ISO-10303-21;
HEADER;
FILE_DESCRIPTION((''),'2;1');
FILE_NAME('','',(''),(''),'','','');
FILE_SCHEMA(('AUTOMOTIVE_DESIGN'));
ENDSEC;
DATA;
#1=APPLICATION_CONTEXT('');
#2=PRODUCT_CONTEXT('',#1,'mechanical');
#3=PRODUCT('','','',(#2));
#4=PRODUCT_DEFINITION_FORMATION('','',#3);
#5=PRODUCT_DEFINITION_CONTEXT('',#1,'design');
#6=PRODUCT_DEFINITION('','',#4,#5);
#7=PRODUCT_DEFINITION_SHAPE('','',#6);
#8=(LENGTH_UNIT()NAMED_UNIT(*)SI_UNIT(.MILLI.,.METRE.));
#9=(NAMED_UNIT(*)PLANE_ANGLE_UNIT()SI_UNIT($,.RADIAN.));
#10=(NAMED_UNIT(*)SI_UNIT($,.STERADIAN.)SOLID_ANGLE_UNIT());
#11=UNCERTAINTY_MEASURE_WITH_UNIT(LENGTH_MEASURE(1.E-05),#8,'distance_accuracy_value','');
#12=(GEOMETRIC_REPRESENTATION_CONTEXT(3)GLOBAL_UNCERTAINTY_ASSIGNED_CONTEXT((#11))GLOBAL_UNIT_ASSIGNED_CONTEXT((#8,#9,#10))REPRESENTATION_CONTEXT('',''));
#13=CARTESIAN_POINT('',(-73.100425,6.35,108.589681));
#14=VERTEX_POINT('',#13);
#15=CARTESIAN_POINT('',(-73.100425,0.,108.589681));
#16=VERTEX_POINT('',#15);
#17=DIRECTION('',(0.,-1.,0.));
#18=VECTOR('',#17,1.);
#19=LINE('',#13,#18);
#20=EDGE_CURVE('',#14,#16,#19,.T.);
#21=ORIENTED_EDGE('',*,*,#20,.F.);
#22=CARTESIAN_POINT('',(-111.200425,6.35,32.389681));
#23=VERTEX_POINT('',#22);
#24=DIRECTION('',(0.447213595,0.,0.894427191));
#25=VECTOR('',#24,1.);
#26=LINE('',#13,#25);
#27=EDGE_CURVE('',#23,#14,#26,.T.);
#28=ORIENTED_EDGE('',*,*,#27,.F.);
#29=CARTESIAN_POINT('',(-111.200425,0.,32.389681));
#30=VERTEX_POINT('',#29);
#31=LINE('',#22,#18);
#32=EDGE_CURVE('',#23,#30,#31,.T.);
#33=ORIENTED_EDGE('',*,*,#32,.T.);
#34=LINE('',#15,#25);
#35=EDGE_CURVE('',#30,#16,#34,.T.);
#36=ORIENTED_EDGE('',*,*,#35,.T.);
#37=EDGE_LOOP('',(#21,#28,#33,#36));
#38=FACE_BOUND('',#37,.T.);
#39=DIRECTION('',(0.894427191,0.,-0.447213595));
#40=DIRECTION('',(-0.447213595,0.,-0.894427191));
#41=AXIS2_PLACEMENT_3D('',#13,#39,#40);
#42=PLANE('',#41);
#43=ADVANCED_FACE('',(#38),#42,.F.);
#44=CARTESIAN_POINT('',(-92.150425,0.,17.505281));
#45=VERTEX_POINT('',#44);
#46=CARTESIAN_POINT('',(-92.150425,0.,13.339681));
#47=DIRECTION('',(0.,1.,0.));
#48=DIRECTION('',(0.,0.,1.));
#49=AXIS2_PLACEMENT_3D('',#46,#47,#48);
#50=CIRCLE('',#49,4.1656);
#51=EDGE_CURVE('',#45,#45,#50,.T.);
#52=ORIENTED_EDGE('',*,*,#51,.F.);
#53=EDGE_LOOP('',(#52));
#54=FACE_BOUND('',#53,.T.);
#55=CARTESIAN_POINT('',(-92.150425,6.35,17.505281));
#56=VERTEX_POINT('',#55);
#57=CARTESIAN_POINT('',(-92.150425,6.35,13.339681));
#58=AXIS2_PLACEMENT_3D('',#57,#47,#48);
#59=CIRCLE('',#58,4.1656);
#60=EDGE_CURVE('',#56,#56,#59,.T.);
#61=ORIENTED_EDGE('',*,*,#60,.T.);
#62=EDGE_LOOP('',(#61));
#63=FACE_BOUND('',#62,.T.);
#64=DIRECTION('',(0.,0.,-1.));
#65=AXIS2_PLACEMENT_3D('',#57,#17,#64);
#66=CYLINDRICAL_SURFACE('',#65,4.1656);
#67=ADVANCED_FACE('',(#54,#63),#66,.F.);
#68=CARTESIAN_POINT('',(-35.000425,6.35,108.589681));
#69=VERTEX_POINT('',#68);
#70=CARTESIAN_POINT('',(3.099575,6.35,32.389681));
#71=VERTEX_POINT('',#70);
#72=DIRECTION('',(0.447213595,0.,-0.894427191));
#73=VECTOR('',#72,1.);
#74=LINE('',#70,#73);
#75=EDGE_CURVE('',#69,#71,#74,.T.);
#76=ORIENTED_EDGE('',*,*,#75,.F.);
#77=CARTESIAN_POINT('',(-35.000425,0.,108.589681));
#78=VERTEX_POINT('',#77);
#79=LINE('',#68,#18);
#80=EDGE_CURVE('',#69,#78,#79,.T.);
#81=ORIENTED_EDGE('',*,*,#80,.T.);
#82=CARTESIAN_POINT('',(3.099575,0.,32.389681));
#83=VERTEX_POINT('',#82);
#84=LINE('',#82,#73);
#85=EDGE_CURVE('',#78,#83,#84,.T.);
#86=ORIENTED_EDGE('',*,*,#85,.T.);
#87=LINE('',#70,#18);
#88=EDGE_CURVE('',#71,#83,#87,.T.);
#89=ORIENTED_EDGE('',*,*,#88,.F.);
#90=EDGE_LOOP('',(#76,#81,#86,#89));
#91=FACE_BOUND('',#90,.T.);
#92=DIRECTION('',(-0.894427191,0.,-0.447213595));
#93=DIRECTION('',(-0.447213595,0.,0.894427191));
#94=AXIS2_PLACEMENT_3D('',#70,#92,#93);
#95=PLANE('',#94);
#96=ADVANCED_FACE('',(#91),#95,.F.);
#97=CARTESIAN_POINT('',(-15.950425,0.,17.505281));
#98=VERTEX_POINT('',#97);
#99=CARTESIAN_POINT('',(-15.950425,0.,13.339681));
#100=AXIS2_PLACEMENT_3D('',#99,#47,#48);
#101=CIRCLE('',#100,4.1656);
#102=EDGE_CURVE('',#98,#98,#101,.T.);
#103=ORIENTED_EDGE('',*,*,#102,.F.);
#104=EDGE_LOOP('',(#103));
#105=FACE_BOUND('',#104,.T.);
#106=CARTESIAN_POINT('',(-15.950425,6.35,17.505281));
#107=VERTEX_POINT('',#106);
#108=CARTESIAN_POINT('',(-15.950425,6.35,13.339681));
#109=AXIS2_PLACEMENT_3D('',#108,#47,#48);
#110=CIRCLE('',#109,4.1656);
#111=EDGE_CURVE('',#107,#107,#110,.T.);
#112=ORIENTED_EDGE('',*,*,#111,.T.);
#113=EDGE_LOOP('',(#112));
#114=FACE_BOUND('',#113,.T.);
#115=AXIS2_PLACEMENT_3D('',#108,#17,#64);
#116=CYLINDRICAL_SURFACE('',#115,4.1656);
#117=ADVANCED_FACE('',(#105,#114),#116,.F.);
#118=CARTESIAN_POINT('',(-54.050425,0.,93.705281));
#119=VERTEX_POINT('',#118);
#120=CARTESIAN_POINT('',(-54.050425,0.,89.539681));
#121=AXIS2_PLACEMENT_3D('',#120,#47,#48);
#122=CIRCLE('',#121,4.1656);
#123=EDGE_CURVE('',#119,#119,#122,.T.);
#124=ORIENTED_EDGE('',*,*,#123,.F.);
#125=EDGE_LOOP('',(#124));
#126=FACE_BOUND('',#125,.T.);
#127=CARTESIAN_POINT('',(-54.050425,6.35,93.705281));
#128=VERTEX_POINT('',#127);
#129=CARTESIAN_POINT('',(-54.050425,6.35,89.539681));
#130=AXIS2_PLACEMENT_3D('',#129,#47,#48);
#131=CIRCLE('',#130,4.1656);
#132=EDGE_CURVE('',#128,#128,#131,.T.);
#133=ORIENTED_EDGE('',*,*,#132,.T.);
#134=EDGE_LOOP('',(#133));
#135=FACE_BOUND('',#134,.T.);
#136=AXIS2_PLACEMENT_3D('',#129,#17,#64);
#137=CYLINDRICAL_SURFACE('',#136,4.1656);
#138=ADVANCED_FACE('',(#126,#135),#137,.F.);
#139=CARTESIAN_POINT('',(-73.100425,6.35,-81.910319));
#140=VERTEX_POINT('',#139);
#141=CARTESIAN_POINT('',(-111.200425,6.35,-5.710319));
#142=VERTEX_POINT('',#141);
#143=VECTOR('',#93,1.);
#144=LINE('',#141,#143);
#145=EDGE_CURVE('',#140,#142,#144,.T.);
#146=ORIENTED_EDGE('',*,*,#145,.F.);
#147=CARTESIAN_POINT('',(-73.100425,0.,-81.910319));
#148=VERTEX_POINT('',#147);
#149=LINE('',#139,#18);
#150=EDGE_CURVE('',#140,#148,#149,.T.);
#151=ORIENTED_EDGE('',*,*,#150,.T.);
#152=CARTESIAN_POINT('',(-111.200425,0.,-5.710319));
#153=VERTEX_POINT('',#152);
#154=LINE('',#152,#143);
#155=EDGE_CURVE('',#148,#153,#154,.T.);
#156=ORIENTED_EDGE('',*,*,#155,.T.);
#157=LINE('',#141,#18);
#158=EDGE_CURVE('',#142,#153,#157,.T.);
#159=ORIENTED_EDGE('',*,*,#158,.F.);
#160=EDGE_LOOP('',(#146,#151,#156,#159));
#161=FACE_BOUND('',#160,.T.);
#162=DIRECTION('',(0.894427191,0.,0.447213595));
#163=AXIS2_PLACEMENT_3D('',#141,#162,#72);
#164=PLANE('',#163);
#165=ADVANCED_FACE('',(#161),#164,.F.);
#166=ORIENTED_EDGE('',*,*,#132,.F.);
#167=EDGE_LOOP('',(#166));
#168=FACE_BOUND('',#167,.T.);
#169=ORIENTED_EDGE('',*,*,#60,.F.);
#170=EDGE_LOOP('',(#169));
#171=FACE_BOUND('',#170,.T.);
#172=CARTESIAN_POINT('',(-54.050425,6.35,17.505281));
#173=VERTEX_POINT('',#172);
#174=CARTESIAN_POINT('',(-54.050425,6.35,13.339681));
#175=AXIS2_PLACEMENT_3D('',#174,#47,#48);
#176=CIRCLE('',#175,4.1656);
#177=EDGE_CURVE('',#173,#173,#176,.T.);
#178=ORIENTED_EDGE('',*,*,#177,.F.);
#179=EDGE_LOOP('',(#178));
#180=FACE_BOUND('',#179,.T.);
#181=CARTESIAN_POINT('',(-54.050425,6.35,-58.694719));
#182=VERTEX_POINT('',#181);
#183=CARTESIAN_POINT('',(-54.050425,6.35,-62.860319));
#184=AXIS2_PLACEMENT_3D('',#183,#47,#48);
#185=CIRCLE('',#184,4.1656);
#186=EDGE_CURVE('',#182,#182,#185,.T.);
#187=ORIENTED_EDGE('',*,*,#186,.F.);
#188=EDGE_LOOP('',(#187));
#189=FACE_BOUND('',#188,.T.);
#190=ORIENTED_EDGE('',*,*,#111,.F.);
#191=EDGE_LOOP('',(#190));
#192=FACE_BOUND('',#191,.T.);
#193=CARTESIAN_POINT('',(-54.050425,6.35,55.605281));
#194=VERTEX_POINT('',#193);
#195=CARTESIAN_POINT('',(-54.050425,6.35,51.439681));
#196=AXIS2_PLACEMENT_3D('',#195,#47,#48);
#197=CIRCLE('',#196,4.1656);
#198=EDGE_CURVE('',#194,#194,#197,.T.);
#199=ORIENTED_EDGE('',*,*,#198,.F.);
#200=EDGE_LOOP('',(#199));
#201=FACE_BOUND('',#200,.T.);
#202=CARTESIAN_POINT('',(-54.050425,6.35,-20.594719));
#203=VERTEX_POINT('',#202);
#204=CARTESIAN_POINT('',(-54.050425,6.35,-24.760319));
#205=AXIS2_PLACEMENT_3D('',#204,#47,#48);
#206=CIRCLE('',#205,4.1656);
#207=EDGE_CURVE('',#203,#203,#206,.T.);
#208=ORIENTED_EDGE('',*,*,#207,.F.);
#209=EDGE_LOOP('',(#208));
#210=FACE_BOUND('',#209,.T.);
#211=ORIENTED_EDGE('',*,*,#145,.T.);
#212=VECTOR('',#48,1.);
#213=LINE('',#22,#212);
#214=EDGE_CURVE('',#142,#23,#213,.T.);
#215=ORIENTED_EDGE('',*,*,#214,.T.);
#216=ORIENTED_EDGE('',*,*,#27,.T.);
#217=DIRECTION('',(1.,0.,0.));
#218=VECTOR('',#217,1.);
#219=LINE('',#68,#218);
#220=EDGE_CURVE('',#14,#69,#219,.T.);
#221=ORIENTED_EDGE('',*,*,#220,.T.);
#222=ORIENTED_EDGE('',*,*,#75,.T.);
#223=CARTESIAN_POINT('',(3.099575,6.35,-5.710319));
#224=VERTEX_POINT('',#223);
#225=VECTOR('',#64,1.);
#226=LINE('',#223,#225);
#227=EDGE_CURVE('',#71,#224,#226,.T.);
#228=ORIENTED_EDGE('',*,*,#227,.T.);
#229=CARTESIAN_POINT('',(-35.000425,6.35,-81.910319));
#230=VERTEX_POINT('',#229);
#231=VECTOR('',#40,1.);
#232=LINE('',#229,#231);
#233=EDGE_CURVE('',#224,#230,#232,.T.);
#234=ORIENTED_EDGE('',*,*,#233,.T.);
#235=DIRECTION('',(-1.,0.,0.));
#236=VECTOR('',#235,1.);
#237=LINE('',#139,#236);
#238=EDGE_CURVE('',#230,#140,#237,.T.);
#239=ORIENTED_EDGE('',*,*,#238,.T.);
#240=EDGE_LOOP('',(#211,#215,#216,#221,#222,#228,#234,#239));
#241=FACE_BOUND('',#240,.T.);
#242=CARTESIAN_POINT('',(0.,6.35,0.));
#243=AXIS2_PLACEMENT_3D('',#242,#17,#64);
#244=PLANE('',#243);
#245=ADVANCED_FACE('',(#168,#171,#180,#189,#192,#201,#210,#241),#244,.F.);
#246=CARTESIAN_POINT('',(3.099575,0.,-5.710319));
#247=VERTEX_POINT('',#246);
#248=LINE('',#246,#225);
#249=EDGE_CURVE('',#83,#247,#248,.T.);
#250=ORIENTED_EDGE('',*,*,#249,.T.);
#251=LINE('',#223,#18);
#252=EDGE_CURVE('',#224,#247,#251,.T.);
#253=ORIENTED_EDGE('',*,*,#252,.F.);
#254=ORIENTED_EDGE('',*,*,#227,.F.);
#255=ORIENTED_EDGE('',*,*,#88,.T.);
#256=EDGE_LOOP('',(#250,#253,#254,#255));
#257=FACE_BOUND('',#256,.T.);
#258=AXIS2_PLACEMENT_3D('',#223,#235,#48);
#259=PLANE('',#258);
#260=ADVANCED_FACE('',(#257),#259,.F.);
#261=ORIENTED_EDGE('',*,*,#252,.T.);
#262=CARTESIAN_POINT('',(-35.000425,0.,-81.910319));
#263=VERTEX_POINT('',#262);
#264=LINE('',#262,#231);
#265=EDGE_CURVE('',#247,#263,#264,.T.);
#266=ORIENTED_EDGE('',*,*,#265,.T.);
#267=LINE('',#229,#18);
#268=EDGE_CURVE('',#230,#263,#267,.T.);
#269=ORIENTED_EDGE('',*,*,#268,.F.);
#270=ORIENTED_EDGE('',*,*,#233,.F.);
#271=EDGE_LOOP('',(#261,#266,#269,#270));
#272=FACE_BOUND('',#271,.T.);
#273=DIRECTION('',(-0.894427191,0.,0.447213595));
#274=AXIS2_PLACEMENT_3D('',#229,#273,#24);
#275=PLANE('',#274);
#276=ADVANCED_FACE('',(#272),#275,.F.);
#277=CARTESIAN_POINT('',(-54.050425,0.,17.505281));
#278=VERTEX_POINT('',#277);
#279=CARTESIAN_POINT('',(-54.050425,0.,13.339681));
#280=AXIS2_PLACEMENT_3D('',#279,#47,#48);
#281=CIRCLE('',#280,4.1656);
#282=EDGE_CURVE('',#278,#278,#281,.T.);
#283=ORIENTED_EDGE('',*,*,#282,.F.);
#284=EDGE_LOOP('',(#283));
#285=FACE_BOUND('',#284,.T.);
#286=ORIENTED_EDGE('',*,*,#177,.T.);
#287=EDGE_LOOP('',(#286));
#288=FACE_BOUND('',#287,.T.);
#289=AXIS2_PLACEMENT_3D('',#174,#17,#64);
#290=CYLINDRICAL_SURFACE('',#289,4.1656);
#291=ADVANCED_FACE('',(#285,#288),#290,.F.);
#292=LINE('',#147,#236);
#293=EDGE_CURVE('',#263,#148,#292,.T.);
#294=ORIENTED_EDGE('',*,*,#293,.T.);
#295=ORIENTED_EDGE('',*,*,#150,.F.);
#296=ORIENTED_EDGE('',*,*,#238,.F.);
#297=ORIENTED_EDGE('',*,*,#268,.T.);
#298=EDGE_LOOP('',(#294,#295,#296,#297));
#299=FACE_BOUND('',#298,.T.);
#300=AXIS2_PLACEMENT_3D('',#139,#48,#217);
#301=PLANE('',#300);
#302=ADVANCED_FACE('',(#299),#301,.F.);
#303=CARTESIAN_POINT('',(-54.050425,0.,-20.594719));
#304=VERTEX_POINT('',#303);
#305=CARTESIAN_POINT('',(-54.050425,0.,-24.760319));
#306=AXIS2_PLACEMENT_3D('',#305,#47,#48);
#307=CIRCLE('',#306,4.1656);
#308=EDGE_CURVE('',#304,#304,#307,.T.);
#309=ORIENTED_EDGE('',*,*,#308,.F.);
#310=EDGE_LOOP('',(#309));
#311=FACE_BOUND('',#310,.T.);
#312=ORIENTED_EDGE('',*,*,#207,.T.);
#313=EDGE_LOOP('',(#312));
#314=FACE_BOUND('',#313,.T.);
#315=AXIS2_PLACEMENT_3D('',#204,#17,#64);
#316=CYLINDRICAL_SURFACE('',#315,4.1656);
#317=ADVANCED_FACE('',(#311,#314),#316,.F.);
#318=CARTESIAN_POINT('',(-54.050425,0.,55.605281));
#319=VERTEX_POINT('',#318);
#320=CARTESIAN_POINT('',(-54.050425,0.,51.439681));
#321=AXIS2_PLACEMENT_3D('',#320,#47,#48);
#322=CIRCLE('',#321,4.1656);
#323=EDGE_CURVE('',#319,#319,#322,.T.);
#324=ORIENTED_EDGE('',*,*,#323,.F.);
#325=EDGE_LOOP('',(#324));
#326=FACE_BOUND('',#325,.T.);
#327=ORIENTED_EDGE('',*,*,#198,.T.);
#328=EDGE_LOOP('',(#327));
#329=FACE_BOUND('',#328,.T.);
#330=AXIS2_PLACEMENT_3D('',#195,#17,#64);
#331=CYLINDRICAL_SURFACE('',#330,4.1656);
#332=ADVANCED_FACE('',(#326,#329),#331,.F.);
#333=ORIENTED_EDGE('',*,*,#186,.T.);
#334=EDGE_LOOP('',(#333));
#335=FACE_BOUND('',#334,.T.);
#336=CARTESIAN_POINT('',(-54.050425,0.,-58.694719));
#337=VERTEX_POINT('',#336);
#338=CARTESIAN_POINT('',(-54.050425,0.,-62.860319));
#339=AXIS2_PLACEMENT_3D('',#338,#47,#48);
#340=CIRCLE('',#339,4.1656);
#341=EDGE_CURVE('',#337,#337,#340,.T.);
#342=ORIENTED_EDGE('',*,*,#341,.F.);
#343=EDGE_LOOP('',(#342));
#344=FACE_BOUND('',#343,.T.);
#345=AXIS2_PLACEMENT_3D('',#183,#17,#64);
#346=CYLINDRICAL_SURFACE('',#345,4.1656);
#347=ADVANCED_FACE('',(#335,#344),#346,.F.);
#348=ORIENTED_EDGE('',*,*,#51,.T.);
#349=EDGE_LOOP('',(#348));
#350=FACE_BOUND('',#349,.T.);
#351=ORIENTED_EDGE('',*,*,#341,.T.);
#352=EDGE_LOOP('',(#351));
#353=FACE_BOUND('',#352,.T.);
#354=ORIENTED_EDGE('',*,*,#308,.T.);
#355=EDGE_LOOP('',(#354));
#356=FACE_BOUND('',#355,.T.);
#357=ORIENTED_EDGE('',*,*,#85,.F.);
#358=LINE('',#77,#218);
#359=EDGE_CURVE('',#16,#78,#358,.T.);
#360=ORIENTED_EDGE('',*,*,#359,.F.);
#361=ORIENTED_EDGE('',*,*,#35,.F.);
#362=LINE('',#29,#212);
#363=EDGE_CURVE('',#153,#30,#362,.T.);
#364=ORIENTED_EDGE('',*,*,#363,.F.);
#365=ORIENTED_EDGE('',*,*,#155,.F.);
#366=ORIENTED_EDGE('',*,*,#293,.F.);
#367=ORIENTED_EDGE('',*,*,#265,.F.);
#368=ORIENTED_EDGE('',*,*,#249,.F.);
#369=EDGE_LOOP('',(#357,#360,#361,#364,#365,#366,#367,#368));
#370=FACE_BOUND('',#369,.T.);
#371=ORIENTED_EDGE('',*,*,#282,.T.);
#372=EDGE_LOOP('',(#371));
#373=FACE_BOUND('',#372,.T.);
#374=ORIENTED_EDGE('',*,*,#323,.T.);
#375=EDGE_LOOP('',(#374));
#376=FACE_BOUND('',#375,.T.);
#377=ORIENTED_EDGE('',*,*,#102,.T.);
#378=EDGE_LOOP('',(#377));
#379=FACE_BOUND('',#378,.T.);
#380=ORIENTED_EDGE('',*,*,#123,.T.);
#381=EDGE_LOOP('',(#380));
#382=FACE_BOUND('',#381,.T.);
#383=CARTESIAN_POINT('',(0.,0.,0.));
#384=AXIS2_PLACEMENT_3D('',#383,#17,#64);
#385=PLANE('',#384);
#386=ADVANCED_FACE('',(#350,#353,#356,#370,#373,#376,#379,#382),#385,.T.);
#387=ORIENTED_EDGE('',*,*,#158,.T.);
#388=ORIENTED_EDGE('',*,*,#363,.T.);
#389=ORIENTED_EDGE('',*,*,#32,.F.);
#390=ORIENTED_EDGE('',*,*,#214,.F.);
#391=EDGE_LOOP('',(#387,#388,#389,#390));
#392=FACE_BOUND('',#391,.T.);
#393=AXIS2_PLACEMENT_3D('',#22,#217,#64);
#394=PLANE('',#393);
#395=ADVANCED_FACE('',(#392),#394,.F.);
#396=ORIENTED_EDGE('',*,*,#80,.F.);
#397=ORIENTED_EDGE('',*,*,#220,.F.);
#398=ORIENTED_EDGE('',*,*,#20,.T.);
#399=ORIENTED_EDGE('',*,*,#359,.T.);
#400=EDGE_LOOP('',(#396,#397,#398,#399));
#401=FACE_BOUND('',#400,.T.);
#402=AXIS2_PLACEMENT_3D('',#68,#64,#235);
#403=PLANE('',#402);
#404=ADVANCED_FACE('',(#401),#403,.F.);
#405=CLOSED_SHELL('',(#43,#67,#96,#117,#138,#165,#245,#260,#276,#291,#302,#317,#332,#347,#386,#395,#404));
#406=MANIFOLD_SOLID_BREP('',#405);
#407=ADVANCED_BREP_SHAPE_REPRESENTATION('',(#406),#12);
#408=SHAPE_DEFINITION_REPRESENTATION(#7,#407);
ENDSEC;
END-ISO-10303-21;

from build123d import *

# Parameters (mm, degrees)
SKETCH1_R           = 4.1656
BOSS_EXTRUDE1_DEPTH = 6.35


with BuildPart() as part:
    # Sketch1 → Boss-Extrude1 (new body)
    with BuildSketch(Plane(origin=(0, 0, 0), x_dir=(1, 0, 0), z_dir=(0, 1, 0))):
        Polygon((-73.100424588, 81.91031941), (-35.000424588, 81.91031941), (3.099575412, 5.71031941), (3.099575412, -32.38968059), (-35.000424588, -108.58968059), (-73.100424588, -108.58968059), (-111.200424588, -32.38968059), (-111.200424588, 5.71031941), align=None)
        with Locations(Location((-92.150424588, -13.33968059, 0), (0, 0, 270))):
            Circle(SKETCH1_R, mode=Mode.SUBTRACT)
        with Locations(Location((-54.050424588, -13.33968059, 0), (0, 0, 270))):
            Circle(SKETCH1_R, mode=Mode.SUBTRACT)
        with Locations(Location((-15.950424588, -13.33968059, 0), (0, 0, 270))):
            Circle(SKETCH1_R, mode=Mode.SUBTRACT)
        with Locations(Location((-54.050424588, 24.76031941, 0), (0, 0, 270))):
            Circle(SKETCH1_R, mode=Mode.SUBTRACT)
        with Locations(Location((-54.050424588, 62.86031941, 0), (0, 0, 270))):
            Circle(SKETCH1_R, mode=Mode.SUBTRACT)
        with Locations(Location((-54.050424588, -51.43968059, 0), (0, 0, 270))):
            Circle(SKETCH1_R, mode=Mode.SUBTRACT)
        with Locations(Location((-54.050424588, -89.53968059, 0), (0, 0, 270))):
            Circle(SKETCH1_R, mode=Mode.SUBTRACT)
    extrude(amount=BOSS_EXTRUDE1_DEPTH)


solid = part.part
